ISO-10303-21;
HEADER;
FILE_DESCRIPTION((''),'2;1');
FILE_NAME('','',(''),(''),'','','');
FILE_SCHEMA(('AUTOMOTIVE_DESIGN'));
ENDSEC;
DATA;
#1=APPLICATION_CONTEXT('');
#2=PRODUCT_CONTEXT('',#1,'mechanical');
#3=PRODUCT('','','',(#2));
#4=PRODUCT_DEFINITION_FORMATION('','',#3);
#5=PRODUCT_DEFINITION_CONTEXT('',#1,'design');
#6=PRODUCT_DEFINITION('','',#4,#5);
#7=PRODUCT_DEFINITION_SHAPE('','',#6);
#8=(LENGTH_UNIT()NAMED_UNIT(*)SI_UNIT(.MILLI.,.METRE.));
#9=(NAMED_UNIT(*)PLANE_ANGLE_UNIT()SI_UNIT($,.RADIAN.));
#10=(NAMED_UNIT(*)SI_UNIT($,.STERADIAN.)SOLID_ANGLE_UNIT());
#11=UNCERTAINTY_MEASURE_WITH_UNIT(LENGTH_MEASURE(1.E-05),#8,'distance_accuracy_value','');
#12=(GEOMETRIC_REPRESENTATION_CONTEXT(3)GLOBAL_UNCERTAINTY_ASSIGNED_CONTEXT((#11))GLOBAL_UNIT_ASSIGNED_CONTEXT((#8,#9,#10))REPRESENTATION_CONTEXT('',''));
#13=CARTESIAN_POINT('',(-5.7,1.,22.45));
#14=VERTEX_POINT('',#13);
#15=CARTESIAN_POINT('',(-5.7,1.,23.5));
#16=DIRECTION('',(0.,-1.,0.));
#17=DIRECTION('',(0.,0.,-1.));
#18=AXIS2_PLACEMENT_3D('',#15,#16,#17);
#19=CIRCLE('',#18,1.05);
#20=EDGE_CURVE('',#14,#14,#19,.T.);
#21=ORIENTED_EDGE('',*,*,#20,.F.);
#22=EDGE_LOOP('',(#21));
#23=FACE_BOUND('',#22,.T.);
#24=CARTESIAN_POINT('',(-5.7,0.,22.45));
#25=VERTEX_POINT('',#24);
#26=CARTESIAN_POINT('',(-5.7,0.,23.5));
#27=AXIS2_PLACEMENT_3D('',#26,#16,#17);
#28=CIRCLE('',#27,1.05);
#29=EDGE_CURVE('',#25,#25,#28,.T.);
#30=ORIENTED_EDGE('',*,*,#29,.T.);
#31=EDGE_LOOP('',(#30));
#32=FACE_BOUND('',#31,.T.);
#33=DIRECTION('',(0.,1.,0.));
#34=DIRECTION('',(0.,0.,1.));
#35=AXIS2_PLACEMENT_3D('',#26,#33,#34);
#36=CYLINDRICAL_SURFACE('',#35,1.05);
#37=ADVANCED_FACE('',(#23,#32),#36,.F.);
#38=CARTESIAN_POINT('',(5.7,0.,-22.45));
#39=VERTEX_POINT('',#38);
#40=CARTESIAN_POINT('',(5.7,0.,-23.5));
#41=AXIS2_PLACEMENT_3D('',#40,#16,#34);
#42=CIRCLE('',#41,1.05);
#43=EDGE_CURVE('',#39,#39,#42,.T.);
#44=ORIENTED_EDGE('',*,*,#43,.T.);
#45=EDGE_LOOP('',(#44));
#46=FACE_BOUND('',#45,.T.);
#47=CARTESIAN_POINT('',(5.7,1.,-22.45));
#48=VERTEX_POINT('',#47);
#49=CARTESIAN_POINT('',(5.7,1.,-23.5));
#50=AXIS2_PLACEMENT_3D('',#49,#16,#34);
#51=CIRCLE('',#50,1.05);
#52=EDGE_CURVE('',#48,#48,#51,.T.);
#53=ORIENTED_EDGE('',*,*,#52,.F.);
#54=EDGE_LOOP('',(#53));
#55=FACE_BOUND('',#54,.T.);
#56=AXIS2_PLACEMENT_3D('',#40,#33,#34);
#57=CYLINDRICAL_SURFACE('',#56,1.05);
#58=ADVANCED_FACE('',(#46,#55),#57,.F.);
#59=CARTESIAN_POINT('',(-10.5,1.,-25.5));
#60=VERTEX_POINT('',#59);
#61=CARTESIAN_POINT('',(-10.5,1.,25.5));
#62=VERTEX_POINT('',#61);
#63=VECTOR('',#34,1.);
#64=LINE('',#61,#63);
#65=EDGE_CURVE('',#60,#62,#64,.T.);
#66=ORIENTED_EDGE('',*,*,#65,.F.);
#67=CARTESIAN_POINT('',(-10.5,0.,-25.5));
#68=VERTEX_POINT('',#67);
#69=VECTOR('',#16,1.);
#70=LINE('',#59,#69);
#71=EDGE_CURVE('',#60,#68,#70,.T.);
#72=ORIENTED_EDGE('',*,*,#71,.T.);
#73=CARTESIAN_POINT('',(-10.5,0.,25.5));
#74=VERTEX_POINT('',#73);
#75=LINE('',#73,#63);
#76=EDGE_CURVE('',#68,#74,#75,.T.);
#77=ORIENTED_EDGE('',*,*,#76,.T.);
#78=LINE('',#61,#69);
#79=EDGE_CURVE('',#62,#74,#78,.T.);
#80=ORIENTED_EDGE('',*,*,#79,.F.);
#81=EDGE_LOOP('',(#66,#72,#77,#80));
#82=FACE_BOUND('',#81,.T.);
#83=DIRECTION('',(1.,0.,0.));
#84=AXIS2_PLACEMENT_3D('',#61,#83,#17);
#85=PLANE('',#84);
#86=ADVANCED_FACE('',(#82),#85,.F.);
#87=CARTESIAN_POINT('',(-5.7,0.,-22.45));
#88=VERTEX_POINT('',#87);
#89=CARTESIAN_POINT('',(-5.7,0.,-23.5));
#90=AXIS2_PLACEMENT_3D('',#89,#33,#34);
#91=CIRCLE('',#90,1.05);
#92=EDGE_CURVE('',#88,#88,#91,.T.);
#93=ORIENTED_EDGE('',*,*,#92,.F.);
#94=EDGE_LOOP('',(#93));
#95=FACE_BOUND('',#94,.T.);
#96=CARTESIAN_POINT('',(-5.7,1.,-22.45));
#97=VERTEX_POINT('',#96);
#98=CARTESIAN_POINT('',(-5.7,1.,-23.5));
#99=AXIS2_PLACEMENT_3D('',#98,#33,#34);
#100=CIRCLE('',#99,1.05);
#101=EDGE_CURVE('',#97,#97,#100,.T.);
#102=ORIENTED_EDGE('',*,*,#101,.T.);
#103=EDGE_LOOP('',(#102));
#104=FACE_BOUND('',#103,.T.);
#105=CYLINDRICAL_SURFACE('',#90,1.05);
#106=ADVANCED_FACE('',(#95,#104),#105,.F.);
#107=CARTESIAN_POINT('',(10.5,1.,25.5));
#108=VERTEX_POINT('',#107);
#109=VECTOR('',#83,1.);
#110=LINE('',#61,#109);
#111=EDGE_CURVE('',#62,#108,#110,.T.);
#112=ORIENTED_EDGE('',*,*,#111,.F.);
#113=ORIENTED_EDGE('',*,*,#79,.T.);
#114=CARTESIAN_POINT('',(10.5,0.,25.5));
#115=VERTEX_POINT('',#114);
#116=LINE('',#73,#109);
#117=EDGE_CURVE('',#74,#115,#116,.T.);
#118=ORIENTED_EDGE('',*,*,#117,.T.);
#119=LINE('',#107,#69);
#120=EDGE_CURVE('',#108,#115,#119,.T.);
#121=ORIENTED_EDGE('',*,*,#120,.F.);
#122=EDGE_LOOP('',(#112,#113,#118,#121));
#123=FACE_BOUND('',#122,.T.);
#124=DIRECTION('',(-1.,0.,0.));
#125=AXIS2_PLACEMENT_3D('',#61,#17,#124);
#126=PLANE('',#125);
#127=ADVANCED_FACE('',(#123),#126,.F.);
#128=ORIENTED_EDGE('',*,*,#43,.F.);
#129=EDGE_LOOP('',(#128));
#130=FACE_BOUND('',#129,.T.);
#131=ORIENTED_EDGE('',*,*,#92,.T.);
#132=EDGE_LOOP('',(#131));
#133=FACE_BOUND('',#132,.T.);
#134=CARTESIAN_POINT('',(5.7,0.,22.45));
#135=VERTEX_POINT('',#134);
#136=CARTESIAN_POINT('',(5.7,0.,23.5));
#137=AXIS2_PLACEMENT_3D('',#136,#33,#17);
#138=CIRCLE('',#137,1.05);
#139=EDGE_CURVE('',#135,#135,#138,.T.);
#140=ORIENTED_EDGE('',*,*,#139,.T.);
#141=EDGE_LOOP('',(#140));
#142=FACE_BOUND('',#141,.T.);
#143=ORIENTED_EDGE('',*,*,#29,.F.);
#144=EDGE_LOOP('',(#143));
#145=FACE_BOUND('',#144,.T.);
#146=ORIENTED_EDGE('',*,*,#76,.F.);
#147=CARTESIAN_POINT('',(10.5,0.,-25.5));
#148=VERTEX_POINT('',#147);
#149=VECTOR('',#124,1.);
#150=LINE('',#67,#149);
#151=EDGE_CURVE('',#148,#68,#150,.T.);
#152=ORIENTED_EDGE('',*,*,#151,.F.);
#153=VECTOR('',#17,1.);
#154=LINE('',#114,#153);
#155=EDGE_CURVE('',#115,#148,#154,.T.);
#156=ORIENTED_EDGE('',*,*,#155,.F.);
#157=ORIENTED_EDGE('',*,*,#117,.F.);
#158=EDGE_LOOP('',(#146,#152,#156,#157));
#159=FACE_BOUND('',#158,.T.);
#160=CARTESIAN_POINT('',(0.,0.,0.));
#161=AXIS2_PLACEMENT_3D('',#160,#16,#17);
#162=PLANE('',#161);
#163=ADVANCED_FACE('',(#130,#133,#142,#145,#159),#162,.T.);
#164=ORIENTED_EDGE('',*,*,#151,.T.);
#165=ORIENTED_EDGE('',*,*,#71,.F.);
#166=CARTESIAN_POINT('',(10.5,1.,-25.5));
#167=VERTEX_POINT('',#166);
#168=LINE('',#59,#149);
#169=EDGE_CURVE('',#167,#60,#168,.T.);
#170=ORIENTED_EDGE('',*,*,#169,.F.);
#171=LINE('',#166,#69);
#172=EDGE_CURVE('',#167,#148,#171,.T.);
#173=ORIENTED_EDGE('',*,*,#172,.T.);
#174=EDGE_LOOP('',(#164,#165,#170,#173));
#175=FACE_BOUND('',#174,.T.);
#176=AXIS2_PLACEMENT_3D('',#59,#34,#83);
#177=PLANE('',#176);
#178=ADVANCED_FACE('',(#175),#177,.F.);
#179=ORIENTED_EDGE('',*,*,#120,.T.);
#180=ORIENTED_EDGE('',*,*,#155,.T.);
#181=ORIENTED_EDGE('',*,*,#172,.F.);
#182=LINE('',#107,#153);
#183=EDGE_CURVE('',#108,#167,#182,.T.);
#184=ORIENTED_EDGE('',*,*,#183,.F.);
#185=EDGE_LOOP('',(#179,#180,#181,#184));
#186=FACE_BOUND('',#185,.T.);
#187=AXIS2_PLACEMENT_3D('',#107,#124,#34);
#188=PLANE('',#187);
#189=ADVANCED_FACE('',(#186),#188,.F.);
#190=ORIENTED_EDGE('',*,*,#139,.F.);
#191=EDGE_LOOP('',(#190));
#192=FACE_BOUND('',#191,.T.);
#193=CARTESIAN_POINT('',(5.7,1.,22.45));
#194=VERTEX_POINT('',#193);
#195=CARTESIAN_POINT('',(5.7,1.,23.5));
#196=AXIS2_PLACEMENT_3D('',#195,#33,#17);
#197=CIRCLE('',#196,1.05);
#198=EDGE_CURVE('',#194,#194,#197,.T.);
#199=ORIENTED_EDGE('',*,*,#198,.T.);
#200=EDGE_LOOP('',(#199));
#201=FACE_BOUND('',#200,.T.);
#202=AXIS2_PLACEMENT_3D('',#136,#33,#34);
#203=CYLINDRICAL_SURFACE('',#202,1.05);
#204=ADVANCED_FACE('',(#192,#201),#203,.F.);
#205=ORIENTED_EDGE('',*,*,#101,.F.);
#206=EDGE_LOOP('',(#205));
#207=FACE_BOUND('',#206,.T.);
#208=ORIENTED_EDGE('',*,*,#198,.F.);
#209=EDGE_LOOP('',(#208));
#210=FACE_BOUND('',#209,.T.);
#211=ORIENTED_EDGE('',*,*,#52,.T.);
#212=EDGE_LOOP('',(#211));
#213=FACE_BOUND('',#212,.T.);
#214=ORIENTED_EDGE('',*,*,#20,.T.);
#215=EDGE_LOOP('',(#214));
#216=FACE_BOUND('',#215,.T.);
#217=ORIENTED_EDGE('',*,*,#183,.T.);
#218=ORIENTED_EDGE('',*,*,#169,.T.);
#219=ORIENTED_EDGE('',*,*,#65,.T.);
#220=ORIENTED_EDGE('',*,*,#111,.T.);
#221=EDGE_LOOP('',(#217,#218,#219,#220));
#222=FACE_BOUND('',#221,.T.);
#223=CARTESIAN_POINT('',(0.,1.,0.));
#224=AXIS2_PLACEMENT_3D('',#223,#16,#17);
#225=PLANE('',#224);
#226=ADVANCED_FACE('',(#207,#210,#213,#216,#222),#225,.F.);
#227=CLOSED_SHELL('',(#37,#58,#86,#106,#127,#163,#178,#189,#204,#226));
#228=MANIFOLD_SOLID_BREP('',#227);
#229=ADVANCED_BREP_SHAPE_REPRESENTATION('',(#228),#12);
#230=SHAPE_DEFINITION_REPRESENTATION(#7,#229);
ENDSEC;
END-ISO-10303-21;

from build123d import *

# Parameters (mm, degrees)
SKETCH1_W               = 21
SKETCH1_H               = 51
BOSS_EXTRUDE1_DEPTH     = 1
SKETCH3_R               = 1.05
CUT_EXTRUDE2_DEPTH      = 28.595289453
MIRROR2_COPY_1_SKETCH_R = 1.05
MIRROR2_COPY_1_DEPTH    = 28.595289453


with BuildPart() as part:
    # Sketch1 → Boss-Extrude1 (new body)
    with BuildSketch(Plane(origin=(0, 0, 0), x_dir=(1, 0, 0), z_dir=(0, 1, 0))):
        Rectangle(SKETCH1_W, SKETCH1_H)
    extrude(amount=BOSS_EXTRUDE1_DEPTH)

    # Sketch3 → Cut-Extrude2 (cut, through all)
    with BuildSketch(Plane(origin=(0, 1, 0), x_dir=(1, 0, 0), z_dir=(0, 1, 0))):
        with Locations(Location((-5.7, 23.5, 0), (0, 0, 270))):
            Circle(SKETCH3_R)
    cut_extrude2 = extrude(amount=-CUT_EXTRUDE2_DEPTH, mode=Mode.SUBTRACT)

    # Mirror1: Cut-Extrude2 across plane
    add(cut_extrude2.mirror(Plane(origin=(0, 0, 0), x_dir=(0, 0, 1), z_dir=(1, 0, 0))), mode=Mode.SUBTRACT)

    # Mirror2: Cut-Extrude2 across plane
    add(cut_extrude2.mirror(Plane.XY), mode=Mode.SUBTRACT)

    # Mirror2 copy 1 sketch → Mirror2 copy 1 (cut, through all)
    with BuildSketch(Plane(origin=(0, 1, 0), x_dir=(-1, 0, 0), z_dir=(0, 1, 0))):
        with Locations(Location((-5.7, 23.5, 0), (0, 0, 270))):
            Circle(MIRROR2_COPY_1_SKETCH_R)
    extrude(amount=-MIRROR2_COPY_1_DEPTH, mode=Mode.SUBTRACT)


solid = part.part
